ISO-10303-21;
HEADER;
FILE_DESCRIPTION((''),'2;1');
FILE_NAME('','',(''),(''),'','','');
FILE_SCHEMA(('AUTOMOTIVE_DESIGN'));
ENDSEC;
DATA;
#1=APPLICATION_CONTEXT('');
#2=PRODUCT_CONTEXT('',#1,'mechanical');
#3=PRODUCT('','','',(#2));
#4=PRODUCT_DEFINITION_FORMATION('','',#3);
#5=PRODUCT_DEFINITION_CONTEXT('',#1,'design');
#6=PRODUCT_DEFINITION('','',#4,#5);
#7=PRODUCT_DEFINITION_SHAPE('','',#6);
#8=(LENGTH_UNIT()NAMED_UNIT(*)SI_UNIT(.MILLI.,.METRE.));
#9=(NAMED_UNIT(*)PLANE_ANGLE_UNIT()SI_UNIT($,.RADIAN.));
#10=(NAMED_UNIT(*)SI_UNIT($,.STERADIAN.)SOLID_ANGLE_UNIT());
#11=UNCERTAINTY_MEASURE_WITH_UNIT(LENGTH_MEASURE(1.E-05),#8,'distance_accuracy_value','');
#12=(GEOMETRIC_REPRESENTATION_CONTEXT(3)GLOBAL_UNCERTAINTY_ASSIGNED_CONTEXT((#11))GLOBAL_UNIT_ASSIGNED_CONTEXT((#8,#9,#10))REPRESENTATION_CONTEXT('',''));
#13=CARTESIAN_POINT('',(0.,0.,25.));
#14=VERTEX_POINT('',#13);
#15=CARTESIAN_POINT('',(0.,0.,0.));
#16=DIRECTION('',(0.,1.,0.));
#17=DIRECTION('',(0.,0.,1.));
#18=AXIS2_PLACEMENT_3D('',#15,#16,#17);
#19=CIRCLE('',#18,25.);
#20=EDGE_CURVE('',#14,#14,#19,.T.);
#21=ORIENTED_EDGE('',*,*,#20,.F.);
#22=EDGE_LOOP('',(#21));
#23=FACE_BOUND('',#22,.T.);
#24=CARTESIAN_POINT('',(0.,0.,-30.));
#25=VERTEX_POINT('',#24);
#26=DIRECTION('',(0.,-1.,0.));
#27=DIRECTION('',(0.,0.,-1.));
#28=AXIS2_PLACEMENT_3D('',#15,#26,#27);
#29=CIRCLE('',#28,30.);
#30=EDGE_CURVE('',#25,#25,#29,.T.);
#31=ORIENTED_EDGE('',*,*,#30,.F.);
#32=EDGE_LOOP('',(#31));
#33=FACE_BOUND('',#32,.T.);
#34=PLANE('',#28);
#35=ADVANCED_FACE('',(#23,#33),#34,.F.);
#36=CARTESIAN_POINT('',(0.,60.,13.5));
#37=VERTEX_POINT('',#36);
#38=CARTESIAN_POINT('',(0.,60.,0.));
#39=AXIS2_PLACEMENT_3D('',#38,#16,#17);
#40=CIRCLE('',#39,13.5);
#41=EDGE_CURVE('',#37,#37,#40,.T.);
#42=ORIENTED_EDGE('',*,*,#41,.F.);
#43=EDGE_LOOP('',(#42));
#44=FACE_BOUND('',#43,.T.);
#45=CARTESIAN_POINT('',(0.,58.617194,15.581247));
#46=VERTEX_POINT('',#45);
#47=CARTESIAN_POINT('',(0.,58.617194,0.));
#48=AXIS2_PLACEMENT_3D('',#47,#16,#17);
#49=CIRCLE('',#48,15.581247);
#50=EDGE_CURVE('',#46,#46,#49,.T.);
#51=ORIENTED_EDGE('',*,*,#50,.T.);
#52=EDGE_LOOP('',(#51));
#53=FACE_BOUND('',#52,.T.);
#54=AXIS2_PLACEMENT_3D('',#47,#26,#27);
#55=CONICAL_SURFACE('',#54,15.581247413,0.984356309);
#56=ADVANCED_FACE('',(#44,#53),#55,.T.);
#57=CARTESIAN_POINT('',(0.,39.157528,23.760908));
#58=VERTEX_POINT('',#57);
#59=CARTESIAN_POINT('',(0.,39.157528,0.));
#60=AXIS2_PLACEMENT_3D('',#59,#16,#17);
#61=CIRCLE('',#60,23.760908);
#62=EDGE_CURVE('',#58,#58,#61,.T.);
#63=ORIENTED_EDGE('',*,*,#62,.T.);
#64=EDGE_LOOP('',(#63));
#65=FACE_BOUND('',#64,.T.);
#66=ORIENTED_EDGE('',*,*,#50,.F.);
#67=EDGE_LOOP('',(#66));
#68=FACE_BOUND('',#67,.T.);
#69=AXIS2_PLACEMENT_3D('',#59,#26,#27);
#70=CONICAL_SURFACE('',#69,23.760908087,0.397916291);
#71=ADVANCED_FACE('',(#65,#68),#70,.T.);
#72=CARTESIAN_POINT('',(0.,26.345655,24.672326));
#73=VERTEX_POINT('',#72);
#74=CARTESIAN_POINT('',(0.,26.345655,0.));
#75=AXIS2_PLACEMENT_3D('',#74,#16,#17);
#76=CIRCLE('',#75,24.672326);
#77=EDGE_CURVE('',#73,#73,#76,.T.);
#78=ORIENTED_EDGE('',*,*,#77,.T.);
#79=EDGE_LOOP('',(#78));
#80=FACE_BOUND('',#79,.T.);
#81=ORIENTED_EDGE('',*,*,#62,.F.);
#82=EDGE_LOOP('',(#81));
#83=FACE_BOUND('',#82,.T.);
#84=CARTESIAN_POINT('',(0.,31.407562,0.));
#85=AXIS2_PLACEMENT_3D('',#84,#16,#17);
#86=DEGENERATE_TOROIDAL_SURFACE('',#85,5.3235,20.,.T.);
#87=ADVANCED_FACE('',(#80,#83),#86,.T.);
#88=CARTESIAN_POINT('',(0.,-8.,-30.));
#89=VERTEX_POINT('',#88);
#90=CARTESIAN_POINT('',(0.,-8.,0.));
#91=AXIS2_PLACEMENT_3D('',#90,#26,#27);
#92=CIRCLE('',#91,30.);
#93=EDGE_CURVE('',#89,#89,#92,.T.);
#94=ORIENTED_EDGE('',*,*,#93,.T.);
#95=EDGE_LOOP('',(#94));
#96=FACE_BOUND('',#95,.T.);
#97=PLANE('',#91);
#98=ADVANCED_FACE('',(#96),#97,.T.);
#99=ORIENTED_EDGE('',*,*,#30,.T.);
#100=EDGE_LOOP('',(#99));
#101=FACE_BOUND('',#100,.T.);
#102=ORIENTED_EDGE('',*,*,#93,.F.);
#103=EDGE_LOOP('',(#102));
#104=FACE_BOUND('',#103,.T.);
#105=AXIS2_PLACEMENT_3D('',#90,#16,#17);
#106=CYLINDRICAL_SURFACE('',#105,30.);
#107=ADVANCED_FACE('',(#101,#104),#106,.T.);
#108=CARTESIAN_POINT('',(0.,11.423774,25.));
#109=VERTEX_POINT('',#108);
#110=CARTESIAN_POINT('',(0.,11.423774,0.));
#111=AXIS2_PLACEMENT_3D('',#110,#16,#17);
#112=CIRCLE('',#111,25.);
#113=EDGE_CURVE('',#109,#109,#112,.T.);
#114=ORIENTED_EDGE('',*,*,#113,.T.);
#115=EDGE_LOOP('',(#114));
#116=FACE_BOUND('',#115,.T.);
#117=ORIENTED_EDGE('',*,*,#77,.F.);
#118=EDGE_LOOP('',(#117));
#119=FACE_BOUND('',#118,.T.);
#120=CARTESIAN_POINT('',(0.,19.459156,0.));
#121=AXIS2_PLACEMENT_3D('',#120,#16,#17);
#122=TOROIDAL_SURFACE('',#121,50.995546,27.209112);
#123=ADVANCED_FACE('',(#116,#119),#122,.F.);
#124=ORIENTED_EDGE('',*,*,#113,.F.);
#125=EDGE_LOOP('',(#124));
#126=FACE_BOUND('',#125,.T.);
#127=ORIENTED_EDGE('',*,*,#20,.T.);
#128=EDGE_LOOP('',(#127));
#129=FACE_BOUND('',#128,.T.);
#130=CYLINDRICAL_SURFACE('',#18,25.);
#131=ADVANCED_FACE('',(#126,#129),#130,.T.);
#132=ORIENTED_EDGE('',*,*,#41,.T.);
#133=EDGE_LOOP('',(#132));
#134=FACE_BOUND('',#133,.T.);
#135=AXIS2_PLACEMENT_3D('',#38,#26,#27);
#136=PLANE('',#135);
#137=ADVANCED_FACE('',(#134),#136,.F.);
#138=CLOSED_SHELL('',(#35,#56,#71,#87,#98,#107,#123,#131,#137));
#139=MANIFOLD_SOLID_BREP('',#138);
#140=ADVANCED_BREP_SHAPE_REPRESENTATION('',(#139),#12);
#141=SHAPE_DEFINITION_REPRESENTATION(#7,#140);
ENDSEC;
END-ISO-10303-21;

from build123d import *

# Parameters (mm, degrees)
SKETCH2_R           = 30
BOSS_EXTRUDE1_DEPTH = 8


with BuildPart() as part:
    # Sketch1 → Revolve1 (revolve)
    with BuildSketch(Plane.XY):
        with BuildLine():
            Line((0, 0), (25, 0))
            Line((25, 0), (25, 11.42377433))
            ThreePointArc((25, 11.42377433), (23.792992012, 18.861807529), (24.672326333, 26.345655289))
            ThreePointArc((24.672326333, 26.345655289), (25.273083835, 32.826746989), (23.760908087, 39.157527645))
            Line((23.760908087, 39.157527645), (15.581247413, 58.617194357))
            Line((15.581247413, 58.617194357), (13.5, 60))
            Line((13.5, 60), (0, 60))
            Line((0, 60), (0, 0))
        make_face()
    revolve(axis=Axis((0, 0, 0), (0, -1, 0)))

    # Sketch2 → Boss-Extrude1 (add)
    with BuildSketch(Plane.XZ):
        Circle(SKETCH2_R)
    extrude(amount=BOSS_EXTRUDE1_DEPTH)


solid = part.part
